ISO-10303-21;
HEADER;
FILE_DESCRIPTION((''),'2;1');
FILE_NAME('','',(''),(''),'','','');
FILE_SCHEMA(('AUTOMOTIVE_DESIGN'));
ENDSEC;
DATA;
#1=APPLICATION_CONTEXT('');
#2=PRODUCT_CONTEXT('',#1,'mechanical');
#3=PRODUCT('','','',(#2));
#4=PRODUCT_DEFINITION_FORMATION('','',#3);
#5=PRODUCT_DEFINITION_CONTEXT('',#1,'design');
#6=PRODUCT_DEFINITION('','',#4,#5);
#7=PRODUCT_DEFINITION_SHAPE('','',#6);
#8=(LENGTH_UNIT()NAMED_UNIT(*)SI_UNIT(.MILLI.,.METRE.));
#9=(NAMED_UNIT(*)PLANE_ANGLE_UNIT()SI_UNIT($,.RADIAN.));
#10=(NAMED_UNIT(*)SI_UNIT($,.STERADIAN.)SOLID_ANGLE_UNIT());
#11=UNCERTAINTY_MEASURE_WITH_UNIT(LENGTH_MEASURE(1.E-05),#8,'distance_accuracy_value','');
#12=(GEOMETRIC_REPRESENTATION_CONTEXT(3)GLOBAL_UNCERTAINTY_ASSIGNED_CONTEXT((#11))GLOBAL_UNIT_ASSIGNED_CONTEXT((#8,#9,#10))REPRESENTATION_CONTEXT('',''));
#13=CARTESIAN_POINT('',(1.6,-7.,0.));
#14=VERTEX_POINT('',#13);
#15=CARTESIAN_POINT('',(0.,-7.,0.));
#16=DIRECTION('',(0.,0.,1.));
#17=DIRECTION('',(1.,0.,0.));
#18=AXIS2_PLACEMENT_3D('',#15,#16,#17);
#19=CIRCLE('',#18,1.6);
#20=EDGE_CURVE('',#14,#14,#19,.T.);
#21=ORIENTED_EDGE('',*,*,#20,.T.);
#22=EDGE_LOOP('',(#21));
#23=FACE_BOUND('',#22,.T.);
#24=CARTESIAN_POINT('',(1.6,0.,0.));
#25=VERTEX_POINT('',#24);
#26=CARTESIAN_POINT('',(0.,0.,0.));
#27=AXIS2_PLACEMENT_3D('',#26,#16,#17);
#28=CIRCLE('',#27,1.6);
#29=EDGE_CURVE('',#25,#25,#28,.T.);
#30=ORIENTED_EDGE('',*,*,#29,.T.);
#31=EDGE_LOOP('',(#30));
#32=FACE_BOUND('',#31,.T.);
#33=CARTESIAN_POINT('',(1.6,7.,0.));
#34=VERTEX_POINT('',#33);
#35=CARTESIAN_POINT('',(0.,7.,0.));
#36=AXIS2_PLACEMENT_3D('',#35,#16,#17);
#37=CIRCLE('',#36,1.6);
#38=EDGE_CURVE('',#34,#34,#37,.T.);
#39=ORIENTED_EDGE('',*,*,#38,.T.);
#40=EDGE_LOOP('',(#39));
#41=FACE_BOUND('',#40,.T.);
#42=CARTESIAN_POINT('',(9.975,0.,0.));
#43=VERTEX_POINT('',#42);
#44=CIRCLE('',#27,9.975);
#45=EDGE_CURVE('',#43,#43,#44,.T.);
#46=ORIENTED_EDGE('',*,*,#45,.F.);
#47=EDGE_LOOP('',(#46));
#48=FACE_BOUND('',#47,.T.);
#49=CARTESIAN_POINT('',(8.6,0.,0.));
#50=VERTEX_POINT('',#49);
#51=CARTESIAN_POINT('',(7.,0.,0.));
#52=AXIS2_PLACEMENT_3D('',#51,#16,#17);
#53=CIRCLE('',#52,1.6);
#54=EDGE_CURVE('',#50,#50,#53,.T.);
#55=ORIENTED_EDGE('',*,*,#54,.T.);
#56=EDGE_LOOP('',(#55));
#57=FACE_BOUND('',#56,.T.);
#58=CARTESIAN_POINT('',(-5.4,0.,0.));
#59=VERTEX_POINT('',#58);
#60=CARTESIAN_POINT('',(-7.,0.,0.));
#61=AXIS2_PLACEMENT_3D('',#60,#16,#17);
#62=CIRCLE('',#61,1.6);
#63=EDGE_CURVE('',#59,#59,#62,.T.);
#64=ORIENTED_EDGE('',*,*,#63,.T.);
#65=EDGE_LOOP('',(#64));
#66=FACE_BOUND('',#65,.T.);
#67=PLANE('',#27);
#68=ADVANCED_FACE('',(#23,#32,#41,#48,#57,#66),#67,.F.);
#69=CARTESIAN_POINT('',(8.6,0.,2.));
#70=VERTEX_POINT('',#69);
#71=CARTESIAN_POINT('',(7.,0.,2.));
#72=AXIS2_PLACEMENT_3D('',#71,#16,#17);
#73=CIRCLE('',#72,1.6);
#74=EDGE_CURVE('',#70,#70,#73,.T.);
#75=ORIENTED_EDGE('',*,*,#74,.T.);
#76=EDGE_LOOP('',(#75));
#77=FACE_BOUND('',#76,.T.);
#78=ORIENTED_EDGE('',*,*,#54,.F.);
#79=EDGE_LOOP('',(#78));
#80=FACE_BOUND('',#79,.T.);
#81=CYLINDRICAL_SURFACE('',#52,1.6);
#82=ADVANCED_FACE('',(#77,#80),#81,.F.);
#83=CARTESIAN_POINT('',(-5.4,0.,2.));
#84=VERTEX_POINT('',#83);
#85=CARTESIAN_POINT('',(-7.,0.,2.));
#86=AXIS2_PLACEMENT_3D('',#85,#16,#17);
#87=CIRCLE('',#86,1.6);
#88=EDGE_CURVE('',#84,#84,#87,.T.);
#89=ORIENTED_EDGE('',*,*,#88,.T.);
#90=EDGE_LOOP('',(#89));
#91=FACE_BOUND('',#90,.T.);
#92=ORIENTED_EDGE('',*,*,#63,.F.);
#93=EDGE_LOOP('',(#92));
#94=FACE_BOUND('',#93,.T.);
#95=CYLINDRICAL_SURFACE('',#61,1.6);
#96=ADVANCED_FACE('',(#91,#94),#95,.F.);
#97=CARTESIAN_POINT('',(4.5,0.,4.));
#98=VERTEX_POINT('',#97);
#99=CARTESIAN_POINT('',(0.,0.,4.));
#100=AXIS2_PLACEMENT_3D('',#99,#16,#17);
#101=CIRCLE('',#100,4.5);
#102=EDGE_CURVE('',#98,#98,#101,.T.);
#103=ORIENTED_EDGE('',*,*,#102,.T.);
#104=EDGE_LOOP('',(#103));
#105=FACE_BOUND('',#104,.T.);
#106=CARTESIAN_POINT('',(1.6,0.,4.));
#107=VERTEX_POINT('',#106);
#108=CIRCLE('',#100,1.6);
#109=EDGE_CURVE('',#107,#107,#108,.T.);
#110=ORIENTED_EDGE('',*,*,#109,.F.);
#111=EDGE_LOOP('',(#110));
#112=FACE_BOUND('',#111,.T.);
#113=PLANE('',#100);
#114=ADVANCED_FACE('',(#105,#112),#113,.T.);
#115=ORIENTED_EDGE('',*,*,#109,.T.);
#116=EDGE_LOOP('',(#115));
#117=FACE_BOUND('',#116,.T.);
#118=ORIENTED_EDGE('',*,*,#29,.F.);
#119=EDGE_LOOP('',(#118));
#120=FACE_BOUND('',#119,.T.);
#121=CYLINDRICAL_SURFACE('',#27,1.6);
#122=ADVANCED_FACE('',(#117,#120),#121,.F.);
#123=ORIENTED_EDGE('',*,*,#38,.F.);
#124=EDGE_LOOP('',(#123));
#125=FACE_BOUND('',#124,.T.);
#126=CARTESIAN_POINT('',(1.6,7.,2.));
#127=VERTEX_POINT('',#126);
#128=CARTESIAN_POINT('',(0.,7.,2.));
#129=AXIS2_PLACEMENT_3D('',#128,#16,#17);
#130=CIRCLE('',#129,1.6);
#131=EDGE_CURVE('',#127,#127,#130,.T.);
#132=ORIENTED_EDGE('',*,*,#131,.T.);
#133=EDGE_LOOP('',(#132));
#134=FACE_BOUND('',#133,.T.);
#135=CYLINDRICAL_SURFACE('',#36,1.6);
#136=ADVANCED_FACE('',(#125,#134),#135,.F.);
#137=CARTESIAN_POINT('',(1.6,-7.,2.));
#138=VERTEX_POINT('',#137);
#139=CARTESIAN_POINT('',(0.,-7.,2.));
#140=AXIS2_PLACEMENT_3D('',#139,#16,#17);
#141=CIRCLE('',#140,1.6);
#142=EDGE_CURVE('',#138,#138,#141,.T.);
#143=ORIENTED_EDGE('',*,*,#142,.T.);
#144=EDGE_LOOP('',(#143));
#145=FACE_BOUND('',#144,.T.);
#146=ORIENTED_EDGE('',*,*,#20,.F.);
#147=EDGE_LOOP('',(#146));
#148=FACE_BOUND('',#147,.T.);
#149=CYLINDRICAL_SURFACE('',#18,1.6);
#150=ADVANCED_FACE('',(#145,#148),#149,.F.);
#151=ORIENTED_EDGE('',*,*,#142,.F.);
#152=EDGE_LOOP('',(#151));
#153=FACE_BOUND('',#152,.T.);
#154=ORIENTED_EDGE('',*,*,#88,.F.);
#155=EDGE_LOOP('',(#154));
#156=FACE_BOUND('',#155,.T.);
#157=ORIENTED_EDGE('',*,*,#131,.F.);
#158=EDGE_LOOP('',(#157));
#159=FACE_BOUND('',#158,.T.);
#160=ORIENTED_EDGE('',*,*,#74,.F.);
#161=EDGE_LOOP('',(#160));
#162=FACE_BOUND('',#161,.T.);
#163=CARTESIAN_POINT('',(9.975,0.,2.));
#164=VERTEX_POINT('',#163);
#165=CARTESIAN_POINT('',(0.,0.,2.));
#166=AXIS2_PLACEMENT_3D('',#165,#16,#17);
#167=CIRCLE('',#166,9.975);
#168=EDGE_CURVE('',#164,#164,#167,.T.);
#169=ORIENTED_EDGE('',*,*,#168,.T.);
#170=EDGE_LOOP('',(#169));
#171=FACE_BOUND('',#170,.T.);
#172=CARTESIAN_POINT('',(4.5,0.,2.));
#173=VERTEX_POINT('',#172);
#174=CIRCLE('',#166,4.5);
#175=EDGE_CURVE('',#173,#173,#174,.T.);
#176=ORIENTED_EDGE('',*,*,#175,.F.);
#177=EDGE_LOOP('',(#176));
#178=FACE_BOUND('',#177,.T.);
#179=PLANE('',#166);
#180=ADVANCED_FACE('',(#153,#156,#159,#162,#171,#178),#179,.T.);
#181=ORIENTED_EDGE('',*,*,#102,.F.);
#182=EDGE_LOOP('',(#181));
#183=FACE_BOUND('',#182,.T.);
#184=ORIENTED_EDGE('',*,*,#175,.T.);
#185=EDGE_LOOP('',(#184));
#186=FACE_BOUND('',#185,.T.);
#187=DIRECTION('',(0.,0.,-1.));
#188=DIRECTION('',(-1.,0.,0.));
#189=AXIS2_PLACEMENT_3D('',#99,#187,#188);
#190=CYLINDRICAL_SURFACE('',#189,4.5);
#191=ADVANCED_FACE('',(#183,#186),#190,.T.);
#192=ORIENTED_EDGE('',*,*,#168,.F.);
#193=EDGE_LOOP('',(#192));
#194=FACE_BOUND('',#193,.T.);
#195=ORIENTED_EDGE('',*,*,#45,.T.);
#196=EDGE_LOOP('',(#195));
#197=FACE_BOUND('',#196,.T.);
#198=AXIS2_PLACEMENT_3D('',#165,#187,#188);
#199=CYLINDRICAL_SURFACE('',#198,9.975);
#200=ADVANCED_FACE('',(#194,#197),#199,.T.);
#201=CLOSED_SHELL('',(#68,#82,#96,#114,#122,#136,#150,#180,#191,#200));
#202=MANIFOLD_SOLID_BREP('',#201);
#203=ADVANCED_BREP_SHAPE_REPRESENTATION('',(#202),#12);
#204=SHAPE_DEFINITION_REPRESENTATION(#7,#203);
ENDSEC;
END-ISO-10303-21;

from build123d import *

# Parameters (mm, degrees)
SKETCH_1_R          = 9.975
EXTRUDE_1_DEPTH     = 2
SKETCH_2_R          = 4.5
EXTRUDE_2_DEPTH     = 2
SKETCH_3_R          = 1.6
CUT_EXTRUDE_1_DEPTH = 15.662920923
SKETCH_4_R          = 1.6
CUT_EXTRUDE_2_DEPTH = 15.247850715


with BuildPart() as part:
    # ｽｹｯﾁ1 → ﾎﾞｽ - 押し出し1 (new body)
    with BuildSketch(Plane.XY):
        Circle(SKETCH_1_R)
    extrude(amount=EXTRUDE_1_DEPTH)

    # ｽｹｯﾁ2 → ﾎﾞｽ - 押し出し2 (add)
    with BuildSketch(Plane.XY.offset(2)):
        Circle(SKETCH_2_R)
    extrude(amount=EXTRUDE_2_DEPTH)

    # ｽｹｯﾁ3 → ｶｯﾄ - 押し出し1 (cut, through all)
    with BuildSketch(Plane.XY.offset(4)):
        Circle(SKETCH_3_R)
    extrude(amount=-CUT_EXTRUDE_1_DEPTH, mode=Mode.SUBTRACT)

    # ｽｹｯﾁ4 → ｶｯﾄ - 押し出し2 (cut, through all)
    with BuildSketch(Plane.XY.offset(2)):
        with Locations((0, 7)):
            Circle(SKETCH_4_R)
        with Locations((0, -7)):
            Circle(SKETCH_4_R)
        with Locations((-7, 0)):
            Circle(SKETCH_4_R)
        with Locations((7, 0)):
            Circle(SKETCH_4_R)
    extrude(amount=-CUT_EXTRUDE_2_DEPTH, mode=Mode.SUBTRACT)


solid = part.part
